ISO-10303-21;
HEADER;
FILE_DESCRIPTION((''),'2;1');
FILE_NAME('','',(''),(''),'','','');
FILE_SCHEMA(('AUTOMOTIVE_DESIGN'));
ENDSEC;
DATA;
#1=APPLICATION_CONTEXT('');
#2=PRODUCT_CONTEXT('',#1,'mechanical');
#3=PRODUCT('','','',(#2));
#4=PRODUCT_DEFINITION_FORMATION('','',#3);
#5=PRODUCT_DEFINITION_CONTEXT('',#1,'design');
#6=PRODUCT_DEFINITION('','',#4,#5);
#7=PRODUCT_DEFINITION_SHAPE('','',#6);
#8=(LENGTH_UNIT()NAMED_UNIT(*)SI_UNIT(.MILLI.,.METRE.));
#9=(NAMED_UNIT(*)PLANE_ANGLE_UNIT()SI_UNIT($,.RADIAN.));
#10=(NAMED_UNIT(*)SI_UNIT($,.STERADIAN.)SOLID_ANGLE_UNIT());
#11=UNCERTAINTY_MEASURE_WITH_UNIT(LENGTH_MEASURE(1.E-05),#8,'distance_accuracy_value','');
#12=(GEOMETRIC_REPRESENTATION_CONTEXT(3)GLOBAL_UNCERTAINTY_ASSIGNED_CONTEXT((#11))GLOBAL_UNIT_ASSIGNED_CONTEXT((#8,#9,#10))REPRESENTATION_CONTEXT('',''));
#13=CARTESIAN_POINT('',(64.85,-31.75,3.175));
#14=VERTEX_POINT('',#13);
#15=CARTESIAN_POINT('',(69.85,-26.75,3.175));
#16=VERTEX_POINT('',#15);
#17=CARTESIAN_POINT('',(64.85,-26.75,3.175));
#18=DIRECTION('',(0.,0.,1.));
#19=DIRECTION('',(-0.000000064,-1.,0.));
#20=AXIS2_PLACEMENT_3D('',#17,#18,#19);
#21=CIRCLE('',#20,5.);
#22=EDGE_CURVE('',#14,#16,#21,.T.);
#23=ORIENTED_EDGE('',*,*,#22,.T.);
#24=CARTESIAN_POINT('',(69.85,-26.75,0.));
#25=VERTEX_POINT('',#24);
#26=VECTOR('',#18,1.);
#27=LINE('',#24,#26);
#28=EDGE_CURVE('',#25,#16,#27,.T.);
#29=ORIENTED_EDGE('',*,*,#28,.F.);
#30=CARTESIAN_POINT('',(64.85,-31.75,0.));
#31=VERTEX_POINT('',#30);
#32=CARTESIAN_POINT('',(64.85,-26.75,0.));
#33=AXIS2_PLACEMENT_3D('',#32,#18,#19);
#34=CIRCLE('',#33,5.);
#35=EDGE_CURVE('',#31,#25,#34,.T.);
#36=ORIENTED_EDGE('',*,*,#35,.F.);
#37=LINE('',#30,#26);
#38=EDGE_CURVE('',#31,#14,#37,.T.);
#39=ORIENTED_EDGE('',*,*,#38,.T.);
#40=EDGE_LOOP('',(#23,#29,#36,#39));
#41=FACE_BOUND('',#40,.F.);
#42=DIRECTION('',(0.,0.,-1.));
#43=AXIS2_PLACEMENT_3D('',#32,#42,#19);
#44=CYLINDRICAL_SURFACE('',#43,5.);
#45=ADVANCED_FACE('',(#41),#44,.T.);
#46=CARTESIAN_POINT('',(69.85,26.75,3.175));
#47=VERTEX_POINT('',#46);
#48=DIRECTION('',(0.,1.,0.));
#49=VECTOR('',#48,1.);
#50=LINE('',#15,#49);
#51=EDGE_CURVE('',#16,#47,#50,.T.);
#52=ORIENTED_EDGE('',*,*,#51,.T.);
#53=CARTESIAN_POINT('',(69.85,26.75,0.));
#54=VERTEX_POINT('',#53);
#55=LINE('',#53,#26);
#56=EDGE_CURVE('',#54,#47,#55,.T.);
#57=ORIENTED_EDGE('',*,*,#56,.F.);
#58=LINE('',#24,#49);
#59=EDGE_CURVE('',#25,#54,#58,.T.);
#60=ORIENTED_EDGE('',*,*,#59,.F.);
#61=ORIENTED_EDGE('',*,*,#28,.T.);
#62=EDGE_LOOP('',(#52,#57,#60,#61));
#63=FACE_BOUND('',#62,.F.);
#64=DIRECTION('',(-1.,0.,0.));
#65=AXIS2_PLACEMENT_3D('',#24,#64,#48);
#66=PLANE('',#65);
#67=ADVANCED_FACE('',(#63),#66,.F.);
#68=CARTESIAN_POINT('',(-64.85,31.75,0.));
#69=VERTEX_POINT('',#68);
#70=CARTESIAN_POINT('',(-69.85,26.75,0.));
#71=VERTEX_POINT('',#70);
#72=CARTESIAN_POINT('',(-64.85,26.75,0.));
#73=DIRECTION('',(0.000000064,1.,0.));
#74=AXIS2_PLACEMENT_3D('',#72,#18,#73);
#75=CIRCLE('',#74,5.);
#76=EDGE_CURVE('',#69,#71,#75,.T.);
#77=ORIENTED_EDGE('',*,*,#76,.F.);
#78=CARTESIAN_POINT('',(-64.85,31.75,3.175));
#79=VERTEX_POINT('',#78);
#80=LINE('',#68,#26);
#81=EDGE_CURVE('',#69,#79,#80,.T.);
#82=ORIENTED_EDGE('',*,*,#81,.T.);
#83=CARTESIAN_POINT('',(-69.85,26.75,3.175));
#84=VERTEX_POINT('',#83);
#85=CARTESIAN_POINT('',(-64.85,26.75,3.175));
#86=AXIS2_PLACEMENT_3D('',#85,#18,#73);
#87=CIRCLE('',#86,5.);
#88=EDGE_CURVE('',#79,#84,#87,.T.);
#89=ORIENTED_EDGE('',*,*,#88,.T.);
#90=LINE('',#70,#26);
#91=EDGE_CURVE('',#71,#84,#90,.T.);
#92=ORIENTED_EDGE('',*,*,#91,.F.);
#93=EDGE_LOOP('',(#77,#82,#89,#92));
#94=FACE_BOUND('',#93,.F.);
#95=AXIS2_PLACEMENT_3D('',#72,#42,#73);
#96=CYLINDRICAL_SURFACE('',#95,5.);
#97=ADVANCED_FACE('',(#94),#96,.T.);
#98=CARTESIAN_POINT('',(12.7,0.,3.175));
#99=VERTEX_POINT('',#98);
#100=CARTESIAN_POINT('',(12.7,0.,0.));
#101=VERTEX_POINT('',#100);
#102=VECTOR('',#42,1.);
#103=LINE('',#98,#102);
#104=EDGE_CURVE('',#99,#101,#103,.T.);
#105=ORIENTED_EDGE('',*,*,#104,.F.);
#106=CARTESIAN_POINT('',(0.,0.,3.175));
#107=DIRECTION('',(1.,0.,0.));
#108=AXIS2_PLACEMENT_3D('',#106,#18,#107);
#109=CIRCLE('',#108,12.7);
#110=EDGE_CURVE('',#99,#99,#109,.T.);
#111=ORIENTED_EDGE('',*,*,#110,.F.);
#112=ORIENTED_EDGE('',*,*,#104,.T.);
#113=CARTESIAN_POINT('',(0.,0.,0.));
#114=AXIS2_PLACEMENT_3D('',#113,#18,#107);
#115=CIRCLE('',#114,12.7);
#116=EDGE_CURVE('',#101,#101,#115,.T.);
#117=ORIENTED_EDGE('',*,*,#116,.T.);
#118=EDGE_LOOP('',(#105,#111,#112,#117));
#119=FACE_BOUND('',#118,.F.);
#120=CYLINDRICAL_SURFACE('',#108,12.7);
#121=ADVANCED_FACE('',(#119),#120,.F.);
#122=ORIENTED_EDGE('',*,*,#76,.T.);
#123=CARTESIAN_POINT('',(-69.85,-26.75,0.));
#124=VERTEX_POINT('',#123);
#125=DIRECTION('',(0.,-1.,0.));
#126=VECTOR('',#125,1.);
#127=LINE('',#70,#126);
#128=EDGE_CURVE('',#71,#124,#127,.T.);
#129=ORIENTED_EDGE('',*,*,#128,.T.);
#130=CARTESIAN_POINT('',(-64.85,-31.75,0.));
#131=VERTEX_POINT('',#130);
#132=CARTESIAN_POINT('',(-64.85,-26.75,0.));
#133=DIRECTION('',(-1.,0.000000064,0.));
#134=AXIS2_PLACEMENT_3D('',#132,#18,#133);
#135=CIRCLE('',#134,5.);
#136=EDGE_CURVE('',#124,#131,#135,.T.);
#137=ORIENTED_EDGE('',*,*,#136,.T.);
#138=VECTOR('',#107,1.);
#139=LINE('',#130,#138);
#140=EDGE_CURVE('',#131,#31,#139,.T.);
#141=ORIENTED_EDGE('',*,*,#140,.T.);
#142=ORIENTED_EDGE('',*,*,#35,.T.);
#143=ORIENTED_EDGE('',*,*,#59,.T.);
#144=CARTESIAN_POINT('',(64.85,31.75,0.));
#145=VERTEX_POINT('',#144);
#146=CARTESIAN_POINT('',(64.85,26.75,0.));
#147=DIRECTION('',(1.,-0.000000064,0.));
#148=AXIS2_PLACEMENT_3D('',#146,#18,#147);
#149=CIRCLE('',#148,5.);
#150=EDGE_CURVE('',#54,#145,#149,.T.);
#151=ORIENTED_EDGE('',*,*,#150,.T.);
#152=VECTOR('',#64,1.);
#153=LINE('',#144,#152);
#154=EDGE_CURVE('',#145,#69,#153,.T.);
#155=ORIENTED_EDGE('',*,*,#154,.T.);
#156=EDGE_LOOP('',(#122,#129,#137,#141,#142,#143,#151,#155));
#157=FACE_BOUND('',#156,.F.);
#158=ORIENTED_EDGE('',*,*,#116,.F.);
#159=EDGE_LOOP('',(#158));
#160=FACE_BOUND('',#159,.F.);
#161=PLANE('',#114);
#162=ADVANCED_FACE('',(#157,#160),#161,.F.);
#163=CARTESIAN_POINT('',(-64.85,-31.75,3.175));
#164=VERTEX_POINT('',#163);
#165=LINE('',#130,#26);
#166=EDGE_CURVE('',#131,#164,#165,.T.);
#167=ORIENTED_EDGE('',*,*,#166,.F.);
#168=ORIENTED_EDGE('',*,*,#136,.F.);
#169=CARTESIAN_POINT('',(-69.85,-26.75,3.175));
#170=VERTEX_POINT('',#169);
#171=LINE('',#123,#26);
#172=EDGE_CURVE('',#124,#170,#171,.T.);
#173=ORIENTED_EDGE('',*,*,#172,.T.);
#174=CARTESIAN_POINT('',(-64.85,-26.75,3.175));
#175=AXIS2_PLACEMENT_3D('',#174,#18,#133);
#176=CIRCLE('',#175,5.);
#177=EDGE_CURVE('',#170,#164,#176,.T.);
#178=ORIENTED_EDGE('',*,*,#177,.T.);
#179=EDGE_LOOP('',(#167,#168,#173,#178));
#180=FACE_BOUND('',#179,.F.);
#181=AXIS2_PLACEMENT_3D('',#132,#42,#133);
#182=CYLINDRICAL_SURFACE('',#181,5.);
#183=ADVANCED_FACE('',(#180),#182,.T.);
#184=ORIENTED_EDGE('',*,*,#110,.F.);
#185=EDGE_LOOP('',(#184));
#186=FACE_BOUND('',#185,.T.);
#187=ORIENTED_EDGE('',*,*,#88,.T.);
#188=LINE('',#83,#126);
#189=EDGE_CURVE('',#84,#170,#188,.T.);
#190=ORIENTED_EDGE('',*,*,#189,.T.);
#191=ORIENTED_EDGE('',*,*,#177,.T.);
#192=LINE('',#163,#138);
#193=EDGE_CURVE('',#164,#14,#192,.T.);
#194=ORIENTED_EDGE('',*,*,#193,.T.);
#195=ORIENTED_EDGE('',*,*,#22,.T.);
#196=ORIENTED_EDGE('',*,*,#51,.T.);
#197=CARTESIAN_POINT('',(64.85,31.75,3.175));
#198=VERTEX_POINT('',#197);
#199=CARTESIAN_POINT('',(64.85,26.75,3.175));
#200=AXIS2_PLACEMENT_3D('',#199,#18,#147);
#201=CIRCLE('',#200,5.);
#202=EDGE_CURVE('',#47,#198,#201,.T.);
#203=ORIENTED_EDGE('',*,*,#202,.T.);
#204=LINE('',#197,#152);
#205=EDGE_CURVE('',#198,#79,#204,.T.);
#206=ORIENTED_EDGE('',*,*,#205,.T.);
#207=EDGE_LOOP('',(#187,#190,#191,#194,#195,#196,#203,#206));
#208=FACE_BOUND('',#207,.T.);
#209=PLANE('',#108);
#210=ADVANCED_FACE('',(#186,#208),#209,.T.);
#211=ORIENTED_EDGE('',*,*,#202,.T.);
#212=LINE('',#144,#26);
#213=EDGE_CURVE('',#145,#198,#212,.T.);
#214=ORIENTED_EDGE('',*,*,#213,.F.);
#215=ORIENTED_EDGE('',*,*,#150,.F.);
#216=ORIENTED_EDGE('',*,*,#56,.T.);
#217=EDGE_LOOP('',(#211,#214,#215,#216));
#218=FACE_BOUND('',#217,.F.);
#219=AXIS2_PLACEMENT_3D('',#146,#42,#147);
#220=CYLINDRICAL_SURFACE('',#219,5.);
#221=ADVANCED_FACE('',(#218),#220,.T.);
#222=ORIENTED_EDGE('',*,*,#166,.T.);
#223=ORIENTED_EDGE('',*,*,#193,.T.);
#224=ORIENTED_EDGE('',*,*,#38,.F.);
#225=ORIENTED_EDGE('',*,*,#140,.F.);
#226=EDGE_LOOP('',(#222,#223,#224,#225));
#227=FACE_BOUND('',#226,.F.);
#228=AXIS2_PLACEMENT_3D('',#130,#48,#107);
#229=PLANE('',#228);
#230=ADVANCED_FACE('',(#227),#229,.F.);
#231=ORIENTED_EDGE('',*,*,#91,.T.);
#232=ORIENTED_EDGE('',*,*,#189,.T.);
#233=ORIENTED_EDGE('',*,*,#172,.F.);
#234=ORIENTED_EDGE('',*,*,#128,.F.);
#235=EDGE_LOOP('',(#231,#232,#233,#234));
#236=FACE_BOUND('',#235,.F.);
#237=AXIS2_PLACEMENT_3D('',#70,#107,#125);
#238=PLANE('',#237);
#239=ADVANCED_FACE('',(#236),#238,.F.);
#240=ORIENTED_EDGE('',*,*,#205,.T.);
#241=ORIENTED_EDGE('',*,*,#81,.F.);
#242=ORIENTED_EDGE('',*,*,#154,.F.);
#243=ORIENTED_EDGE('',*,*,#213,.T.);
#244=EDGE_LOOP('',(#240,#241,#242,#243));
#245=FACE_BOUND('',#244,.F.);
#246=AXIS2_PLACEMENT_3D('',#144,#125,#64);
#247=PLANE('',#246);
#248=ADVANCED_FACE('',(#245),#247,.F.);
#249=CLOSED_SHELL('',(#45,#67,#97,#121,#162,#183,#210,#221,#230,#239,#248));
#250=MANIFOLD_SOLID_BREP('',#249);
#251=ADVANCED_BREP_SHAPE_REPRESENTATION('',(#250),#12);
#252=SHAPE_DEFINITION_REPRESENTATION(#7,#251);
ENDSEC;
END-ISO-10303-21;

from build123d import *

# Parameters (mm, degrees)
F1_DEPTH = 3.175
F2_R     = 12.7
F3_DEPTH = 3.176


with BuildPart() as f1:
    # F0 (on Top) → F1 (new body)
    with BuildSketch(Plane.XY):
        with BuildLine():
            ThreePointArc((69.85, 26.75), (68.385534, 30.285534), (64.85, 31.75))
            Line((64.85, 31.75), (-64.85, 31.75))
            ThreePointArc((-64.85, 31.75), (-68.385534, 30.285534), (-69.85, 26.75))
            Line((-69.85, 26.75), (-69.85, -26.75))
            ThreePointArc((-69.85, -26.75), (-68.385534, -30.285534), (-64.85, -31.75))
            Line((-64.85, -31.75), (64.85, -31.75))
            ThreePointArc((64.85, -31.75), (68.385534, -30.285534), (69.85, -26.75))
            Line((69.85, -26.75), (69.85, 26.75))
        make_face()
    extrude(amount=F1_DEPTH)

    # F2 (on face) → F3 (cut, through all)
    with BuildSketch(Plane.XY.offset(3.175)):
        Circle(F2_R)
    extrude(amount=-F3_DEPTH, mode=Mode.SUBTRACT)


solid = f1.part
